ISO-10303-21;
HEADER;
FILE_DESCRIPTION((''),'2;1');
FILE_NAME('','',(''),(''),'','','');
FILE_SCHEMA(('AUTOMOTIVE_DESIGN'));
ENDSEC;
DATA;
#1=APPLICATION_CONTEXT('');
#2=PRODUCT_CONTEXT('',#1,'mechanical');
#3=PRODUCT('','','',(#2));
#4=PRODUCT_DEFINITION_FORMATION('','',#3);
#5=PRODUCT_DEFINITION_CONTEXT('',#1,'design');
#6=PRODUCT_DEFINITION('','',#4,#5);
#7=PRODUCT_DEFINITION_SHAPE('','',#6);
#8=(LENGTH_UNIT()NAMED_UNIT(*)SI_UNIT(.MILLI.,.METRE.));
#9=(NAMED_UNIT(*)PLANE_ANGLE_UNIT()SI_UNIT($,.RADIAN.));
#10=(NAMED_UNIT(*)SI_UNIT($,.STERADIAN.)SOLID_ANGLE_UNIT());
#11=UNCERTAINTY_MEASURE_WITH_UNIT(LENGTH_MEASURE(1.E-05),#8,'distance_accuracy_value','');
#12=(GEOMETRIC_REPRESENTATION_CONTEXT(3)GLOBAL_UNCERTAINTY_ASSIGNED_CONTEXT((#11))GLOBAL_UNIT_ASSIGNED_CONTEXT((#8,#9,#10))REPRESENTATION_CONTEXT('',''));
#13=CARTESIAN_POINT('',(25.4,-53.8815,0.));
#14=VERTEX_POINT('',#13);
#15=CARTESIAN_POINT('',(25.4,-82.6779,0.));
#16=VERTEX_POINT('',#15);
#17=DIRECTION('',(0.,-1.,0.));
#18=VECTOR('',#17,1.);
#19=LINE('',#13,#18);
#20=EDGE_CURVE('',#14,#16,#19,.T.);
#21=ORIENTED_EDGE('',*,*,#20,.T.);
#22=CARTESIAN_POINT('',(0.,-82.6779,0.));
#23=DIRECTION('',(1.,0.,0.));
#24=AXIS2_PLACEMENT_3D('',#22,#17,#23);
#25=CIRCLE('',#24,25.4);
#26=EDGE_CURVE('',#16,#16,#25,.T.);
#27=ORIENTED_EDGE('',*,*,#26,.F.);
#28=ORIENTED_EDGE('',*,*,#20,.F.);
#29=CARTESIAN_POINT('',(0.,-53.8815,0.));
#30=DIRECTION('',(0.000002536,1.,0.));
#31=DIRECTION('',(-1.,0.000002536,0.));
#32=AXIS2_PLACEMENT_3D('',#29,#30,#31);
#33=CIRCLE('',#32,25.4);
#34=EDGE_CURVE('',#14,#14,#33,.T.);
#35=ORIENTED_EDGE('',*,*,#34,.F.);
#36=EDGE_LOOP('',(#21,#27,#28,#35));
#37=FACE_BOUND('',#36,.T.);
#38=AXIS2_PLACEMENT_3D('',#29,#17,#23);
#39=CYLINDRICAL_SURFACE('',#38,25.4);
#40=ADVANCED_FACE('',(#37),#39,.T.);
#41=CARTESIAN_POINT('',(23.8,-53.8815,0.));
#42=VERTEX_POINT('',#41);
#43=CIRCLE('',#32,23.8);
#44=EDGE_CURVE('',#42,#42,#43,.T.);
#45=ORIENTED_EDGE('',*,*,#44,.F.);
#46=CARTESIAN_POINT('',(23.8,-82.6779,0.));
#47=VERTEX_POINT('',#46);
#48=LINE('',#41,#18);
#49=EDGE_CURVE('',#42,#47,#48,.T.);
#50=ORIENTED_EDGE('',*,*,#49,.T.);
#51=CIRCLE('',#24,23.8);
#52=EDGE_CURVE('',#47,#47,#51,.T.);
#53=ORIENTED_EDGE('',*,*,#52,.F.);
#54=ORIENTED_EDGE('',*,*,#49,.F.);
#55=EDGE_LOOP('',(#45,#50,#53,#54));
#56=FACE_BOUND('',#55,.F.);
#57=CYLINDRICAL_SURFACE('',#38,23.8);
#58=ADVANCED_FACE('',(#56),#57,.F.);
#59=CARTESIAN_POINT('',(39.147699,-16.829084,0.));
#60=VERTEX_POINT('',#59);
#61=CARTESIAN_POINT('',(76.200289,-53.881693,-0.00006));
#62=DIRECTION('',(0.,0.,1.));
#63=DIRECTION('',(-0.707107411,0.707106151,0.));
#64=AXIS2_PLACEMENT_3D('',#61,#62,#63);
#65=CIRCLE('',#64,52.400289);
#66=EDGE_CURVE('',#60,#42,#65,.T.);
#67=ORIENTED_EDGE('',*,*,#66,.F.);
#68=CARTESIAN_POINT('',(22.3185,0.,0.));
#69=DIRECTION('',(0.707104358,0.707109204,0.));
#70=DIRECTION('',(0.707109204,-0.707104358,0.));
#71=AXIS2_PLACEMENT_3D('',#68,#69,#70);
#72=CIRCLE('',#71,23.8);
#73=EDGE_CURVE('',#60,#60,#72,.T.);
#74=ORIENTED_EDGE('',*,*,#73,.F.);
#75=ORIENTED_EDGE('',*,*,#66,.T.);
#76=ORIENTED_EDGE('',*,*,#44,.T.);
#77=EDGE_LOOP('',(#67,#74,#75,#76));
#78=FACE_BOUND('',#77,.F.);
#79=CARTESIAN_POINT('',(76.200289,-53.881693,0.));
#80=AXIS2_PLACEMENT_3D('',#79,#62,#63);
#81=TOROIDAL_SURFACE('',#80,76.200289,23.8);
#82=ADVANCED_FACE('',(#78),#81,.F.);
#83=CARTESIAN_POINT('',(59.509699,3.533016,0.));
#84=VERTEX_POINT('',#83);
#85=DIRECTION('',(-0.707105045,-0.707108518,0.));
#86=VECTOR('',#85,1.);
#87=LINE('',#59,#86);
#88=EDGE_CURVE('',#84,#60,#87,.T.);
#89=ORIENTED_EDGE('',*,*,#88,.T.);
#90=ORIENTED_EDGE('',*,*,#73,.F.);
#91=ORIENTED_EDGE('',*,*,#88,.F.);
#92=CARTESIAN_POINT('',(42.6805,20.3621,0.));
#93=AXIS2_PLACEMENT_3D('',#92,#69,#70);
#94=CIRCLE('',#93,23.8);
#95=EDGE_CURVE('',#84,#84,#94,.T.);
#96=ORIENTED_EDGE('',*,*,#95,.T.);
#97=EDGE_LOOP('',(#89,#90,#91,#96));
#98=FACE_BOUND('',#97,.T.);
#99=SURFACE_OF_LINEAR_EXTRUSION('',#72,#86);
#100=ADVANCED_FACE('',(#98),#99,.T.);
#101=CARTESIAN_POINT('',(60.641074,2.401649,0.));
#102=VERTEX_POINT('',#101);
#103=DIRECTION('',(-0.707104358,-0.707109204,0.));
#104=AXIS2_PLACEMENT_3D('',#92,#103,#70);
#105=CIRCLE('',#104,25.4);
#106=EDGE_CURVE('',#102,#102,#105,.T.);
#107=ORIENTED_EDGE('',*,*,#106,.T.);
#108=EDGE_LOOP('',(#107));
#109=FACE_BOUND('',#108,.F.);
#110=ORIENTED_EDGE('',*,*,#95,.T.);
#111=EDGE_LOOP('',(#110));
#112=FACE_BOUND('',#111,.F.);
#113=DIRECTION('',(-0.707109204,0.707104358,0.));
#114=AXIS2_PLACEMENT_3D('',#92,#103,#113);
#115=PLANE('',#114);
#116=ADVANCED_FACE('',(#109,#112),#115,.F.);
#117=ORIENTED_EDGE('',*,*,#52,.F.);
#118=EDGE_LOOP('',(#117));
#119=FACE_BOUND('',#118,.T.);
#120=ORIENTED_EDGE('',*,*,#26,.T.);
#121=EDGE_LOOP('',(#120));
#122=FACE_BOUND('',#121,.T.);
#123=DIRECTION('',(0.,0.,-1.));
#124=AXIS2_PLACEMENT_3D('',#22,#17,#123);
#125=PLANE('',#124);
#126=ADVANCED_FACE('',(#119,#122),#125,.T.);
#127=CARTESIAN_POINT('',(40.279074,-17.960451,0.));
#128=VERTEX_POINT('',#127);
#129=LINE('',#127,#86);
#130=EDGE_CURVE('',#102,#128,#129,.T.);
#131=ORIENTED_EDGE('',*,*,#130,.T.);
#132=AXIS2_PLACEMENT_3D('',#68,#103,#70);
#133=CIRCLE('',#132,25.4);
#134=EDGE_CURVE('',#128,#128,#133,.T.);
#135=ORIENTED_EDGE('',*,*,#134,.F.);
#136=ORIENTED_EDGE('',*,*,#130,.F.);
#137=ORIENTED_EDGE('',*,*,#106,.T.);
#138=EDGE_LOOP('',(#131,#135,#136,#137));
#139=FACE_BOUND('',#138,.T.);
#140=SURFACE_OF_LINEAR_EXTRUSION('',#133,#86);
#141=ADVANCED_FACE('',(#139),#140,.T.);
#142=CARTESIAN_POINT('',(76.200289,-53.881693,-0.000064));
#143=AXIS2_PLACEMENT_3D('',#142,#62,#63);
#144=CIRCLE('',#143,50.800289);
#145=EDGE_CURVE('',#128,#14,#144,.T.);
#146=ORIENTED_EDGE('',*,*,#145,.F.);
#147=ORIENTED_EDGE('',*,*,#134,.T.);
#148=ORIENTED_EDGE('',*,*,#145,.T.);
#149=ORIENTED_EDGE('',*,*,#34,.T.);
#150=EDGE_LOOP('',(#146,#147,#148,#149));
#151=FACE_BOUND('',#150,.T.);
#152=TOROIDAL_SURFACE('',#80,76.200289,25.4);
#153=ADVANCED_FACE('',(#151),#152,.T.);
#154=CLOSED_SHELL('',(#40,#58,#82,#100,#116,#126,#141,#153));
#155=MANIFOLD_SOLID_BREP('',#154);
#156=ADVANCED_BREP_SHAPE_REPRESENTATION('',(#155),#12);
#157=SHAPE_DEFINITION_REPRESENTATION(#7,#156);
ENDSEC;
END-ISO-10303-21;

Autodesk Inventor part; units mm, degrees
ref_plane "YZ Plane" through (0, 0, 0) normal (1, 0, 0) x (0, 1, 0)
ref_plane "XZ Plane" through (0, 0, 0) normal (0, 1, 0) x (-1, 0, 0)
sketch "Szkic6" plane through (0, 0, 0) normal (0, 0, 1) x (1, 0, 0)
  line L0 (-29.6067, 0) -> (35.2678, 0) construction
  line L1 (0, 42.3419) -> (0, -58.3726) construction
  arc A0 (22.3185, 0) -> (0, -53.8815) centre (76.2, -53.8815) ccw
  line L2 (0, -53.8815) -> (76.2, -53.8815) construction
  line L3 (76.2, -53.8815) -> (29.8611, -7.5426) construction
  line L4 (22.3185, 0) -> (42.6805, 20.3621)
  line L5 (0, -53.8815) -> (0, -82.6779)
  point P0 (0, 0)
  dimension "d24" = 76.2
  dimension "d31" = 45
  dimension "d36" = 28.7963
  dimension "d37" = 28.7963
ref_plane "Płaszczyzna konstrukcyjna2" through (0, -53.8815, 0) normal (0, -1, 0) x (1, 0, 0)
sketch "Szkic8" plane through (0, -53.8815, 0) normal (0, -1, 0) x (1, 0, 0)
  circle A0 centre (0, 0) radius 25.4
  circle A1 centre (0, 0) radius 23.8
  dimension "d32" = 50.8
  dimension "d33" = 1.6
sweep "Przeciągnięcie2" add profiles "Szkic8" path "Szkic6"
equation "\"d32\" = OD"
equation "\"d33\" = THK"
equation "\"d24\" = R"
equation "\"d31\" = KAT"
equation "\"d36\" = PROSTKA"
equation "\"d37\" = PROSTKA"
equation "\"SzerokośćGięciaPodcięcia\" = Grubość"
equation "\"RozmiarPodcięciaNarożnika\" = 4 * Grubość"
equation "\"PromieńPrzejścia\" = PromieńGięcia"
equation "\"Rozmiar_promienia_Jacobiego\" = PromieńGięcia"
equation "\"Wielk_odstępu\" = Grubość"
equation "\"d2\" = PromieńGięcia"
equation "\"d23\" = PromieńGięcia"
equation "\"R\" = 76.2"
equation "\"OD\" = 50.8"
equation "\"THK\" = 1.6"
equation "\"KAT\" = 45deg"
equation "\"PROSTKA\" = 28.79633"
equation "\"Grubość\" = 1.5"
equation "\"PromieńGięcia\" = 3"
properties part number "Kolano 45° ø50,8x1,6 R76,2" material "304L"
